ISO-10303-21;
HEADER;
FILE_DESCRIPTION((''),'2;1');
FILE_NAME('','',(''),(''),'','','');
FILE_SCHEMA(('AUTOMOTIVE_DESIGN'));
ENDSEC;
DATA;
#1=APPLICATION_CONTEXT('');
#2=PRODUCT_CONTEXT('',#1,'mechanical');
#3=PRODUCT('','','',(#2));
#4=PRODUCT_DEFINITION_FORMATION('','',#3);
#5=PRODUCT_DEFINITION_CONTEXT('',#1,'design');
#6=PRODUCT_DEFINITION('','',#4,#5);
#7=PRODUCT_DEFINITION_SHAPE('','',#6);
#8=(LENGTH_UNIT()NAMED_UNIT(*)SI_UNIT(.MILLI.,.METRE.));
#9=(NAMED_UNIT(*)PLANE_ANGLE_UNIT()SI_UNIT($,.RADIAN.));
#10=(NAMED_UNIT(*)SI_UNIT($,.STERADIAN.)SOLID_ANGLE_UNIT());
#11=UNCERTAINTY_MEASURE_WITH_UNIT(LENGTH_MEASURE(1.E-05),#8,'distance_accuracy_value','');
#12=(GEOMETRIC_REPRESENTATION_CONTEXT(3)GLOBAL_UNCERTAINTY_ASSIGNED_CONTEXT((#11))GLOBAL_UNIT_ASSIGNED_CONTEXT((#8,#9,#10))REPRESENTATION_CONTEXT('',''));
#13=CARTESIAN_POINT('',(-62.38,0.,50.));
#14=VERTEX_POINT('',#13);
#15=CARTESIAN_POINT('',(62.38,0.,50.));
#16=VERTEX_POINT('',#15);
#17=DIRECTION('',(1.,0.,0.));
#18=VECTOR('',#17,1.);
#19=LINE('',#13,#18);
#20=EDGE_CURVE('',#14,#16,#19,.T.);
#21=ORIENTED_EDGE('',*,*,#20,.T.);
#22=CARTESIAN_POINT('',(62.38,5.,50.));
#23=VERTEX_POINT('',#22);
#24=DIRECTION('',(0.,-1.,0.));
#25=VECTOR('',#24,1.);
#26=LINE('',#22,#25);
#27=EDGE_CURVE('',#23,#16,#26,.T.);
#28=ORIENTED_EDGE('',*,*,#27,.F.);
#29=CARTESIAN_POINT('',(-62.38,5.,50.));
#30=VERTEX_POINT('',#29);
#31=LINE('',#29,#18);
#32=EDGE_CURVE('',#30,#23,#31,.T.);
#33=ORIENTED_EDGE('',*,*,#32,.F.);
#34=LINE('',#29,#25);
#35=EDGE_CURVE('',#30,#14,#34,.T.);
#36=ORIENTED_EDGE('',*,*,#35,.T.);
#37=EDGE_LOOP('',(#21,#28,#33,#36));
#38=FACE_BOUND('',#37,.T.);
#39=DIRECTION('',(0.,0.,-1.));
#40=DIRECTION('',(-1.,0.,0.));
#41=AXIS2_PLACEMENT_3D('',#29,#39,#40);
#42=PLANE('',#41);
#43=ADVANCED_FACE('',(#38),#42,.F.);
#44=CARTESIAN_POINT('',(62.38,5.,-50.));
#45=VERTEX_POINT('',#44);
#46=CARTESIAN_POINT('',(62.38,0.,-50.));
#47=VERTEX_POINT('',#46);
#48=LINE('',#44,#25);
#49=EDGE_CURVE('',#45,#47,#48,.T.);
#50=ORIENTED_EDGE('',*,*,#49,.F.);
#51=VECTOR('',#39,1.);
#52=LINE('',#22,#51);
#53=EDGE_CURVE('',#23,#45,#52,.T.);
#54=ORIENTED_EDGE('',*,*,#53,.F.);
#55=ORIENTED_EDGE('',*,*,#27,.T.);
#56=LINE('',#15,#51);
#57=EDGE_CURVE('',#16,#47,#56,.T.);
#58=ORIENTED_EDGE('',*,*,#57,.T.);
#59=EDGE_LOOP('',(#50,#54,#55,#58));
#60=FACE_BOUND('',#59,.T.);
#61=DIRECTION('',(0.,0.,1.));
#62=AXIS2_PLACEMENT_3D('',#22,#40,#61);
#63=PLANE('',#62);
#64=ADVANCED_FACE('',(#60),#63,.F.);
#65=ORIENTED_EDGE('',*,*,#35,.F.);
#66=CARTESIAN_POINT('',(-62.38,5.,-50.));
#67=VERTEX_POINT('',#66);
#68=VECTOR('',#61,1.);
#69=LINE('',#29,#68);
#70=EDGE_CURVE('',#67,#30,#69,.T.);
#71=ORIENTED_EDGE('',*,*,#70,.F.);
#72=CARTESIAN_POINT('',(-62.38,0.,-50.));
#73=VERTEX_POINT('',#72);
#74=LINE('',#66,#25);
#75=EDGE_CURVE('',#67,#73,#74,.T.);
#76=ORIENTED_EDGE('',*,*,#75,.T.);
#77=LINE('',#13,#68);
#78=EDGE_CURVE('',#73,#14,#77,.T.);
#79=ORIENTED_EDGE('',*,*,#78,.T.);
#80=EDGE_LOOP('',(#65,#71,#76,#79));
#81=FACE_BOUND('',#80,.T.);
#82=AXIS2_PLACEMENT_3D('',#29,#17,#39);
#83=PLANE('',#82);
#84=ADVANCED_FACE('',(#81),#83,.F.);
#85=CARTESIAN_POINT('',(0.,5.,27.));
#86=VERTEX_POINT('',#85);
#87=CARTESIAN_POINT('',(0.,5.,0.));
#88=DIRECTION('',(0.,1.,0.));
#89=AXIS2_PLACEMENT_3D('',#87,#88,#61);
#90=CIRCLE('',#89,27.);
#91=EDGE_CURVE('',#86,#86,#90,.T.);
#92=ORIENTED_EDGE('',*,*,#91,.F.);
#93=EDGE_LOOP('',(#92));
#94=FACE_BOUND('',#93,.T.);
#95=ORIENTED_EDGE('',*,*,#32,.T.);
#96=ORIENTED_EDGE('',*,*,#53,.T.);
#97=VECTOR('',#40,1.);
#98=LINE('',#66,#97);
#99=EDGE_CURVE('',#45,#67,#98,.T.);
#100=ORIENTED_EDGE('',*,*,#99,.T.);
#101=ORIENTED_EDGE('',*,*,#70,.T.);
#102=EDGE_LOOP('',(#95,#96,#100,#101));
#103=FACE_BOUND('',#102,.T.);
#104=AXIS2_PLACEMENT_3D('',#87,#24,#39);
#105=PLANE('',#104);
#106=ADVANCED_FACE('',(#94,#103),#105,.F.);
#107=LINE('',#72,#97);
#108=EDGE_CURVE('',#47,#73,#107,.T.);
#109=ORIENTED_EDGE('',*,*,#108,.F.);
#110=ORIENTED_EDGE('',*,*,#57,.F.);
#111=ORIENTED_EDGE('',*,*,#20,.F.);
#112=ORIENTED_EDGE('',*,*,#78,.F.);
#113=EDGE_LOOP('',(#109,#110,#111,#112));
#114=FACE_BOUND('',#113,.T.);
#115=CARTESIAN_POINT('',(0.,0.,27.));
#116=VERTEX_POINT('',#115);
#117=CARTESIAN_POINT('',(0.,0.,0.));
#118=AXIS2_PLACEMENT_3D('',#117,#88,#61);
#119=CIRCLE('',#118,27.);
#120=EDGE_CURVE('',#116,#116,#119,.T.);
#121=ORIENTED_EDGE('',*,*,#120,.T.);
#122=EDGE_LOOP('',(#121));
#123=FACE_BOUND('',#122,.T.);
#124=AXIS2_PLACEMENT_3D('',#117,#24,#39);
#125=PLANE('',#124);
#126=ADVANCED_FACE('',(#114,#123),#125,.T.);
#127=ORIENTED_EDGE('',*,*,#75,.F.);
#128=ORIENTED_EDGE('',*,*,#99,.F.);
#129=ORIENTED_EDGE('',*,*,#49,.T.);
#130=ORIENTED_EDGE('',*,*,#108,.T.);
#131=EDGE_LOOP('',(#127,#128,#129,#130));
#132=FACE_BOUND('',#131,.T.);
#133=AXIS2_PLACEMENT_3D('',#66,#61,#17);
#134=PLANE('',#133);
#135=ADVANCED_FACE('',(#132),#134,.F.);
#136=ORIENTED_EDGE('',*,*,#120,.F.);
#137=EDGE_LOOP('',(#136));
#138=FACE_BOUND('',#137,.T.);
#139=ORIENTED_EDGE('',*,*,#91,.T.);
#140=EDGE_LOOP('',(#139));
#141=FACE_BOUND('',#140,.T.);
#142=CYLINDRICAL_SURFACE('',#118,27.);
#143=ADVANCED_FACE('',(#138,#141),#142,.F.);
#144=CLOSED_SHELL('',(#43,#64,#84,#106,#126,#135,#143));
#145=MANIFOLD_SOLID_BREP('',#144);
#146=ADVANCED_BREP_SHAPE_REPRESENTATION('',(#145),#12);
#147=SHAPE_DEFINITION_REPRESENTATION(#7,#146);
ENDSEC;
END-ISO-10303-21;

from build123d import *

# Parameters (mm, degrees)
SKETCH1_W           = 124.76
SKETCH1_H           = 100
BOSS_EXTRUDE1_DEPTH = 5
SKETCH2_R           = 27
CUT_EXTRUDE1_DEPTH  = 5


with BuildPart() as part:
    # Sketch1 → Boss-Extrude1 (new body)
    with BuildSketch(Plane(origin=(0, 0, 0), x_dir=(1, 0, 0), z_dir=(0, 1, 0))):
        Rectangle(SKETCH1_W, SKETCH1_H)
    extrude(amount=BOSS_EXTRUDE1_DEPTH)

    # Sketch2 → Cut-Extrude1 (cut)
    with BuildSketch(Plane(origin=(0, 5, 0), x_dir=(1, 0, 0), z_dir=(0, 1, 0))):
        with Locations(Location((0, 0, 0), (0, 0, 270))):
            Circle(SKETCH2_R)
    extrude(amount=-CUT_EXTRUDE1_DEPTH, mode=Mode.SUBTRACT)


solid = part.part
